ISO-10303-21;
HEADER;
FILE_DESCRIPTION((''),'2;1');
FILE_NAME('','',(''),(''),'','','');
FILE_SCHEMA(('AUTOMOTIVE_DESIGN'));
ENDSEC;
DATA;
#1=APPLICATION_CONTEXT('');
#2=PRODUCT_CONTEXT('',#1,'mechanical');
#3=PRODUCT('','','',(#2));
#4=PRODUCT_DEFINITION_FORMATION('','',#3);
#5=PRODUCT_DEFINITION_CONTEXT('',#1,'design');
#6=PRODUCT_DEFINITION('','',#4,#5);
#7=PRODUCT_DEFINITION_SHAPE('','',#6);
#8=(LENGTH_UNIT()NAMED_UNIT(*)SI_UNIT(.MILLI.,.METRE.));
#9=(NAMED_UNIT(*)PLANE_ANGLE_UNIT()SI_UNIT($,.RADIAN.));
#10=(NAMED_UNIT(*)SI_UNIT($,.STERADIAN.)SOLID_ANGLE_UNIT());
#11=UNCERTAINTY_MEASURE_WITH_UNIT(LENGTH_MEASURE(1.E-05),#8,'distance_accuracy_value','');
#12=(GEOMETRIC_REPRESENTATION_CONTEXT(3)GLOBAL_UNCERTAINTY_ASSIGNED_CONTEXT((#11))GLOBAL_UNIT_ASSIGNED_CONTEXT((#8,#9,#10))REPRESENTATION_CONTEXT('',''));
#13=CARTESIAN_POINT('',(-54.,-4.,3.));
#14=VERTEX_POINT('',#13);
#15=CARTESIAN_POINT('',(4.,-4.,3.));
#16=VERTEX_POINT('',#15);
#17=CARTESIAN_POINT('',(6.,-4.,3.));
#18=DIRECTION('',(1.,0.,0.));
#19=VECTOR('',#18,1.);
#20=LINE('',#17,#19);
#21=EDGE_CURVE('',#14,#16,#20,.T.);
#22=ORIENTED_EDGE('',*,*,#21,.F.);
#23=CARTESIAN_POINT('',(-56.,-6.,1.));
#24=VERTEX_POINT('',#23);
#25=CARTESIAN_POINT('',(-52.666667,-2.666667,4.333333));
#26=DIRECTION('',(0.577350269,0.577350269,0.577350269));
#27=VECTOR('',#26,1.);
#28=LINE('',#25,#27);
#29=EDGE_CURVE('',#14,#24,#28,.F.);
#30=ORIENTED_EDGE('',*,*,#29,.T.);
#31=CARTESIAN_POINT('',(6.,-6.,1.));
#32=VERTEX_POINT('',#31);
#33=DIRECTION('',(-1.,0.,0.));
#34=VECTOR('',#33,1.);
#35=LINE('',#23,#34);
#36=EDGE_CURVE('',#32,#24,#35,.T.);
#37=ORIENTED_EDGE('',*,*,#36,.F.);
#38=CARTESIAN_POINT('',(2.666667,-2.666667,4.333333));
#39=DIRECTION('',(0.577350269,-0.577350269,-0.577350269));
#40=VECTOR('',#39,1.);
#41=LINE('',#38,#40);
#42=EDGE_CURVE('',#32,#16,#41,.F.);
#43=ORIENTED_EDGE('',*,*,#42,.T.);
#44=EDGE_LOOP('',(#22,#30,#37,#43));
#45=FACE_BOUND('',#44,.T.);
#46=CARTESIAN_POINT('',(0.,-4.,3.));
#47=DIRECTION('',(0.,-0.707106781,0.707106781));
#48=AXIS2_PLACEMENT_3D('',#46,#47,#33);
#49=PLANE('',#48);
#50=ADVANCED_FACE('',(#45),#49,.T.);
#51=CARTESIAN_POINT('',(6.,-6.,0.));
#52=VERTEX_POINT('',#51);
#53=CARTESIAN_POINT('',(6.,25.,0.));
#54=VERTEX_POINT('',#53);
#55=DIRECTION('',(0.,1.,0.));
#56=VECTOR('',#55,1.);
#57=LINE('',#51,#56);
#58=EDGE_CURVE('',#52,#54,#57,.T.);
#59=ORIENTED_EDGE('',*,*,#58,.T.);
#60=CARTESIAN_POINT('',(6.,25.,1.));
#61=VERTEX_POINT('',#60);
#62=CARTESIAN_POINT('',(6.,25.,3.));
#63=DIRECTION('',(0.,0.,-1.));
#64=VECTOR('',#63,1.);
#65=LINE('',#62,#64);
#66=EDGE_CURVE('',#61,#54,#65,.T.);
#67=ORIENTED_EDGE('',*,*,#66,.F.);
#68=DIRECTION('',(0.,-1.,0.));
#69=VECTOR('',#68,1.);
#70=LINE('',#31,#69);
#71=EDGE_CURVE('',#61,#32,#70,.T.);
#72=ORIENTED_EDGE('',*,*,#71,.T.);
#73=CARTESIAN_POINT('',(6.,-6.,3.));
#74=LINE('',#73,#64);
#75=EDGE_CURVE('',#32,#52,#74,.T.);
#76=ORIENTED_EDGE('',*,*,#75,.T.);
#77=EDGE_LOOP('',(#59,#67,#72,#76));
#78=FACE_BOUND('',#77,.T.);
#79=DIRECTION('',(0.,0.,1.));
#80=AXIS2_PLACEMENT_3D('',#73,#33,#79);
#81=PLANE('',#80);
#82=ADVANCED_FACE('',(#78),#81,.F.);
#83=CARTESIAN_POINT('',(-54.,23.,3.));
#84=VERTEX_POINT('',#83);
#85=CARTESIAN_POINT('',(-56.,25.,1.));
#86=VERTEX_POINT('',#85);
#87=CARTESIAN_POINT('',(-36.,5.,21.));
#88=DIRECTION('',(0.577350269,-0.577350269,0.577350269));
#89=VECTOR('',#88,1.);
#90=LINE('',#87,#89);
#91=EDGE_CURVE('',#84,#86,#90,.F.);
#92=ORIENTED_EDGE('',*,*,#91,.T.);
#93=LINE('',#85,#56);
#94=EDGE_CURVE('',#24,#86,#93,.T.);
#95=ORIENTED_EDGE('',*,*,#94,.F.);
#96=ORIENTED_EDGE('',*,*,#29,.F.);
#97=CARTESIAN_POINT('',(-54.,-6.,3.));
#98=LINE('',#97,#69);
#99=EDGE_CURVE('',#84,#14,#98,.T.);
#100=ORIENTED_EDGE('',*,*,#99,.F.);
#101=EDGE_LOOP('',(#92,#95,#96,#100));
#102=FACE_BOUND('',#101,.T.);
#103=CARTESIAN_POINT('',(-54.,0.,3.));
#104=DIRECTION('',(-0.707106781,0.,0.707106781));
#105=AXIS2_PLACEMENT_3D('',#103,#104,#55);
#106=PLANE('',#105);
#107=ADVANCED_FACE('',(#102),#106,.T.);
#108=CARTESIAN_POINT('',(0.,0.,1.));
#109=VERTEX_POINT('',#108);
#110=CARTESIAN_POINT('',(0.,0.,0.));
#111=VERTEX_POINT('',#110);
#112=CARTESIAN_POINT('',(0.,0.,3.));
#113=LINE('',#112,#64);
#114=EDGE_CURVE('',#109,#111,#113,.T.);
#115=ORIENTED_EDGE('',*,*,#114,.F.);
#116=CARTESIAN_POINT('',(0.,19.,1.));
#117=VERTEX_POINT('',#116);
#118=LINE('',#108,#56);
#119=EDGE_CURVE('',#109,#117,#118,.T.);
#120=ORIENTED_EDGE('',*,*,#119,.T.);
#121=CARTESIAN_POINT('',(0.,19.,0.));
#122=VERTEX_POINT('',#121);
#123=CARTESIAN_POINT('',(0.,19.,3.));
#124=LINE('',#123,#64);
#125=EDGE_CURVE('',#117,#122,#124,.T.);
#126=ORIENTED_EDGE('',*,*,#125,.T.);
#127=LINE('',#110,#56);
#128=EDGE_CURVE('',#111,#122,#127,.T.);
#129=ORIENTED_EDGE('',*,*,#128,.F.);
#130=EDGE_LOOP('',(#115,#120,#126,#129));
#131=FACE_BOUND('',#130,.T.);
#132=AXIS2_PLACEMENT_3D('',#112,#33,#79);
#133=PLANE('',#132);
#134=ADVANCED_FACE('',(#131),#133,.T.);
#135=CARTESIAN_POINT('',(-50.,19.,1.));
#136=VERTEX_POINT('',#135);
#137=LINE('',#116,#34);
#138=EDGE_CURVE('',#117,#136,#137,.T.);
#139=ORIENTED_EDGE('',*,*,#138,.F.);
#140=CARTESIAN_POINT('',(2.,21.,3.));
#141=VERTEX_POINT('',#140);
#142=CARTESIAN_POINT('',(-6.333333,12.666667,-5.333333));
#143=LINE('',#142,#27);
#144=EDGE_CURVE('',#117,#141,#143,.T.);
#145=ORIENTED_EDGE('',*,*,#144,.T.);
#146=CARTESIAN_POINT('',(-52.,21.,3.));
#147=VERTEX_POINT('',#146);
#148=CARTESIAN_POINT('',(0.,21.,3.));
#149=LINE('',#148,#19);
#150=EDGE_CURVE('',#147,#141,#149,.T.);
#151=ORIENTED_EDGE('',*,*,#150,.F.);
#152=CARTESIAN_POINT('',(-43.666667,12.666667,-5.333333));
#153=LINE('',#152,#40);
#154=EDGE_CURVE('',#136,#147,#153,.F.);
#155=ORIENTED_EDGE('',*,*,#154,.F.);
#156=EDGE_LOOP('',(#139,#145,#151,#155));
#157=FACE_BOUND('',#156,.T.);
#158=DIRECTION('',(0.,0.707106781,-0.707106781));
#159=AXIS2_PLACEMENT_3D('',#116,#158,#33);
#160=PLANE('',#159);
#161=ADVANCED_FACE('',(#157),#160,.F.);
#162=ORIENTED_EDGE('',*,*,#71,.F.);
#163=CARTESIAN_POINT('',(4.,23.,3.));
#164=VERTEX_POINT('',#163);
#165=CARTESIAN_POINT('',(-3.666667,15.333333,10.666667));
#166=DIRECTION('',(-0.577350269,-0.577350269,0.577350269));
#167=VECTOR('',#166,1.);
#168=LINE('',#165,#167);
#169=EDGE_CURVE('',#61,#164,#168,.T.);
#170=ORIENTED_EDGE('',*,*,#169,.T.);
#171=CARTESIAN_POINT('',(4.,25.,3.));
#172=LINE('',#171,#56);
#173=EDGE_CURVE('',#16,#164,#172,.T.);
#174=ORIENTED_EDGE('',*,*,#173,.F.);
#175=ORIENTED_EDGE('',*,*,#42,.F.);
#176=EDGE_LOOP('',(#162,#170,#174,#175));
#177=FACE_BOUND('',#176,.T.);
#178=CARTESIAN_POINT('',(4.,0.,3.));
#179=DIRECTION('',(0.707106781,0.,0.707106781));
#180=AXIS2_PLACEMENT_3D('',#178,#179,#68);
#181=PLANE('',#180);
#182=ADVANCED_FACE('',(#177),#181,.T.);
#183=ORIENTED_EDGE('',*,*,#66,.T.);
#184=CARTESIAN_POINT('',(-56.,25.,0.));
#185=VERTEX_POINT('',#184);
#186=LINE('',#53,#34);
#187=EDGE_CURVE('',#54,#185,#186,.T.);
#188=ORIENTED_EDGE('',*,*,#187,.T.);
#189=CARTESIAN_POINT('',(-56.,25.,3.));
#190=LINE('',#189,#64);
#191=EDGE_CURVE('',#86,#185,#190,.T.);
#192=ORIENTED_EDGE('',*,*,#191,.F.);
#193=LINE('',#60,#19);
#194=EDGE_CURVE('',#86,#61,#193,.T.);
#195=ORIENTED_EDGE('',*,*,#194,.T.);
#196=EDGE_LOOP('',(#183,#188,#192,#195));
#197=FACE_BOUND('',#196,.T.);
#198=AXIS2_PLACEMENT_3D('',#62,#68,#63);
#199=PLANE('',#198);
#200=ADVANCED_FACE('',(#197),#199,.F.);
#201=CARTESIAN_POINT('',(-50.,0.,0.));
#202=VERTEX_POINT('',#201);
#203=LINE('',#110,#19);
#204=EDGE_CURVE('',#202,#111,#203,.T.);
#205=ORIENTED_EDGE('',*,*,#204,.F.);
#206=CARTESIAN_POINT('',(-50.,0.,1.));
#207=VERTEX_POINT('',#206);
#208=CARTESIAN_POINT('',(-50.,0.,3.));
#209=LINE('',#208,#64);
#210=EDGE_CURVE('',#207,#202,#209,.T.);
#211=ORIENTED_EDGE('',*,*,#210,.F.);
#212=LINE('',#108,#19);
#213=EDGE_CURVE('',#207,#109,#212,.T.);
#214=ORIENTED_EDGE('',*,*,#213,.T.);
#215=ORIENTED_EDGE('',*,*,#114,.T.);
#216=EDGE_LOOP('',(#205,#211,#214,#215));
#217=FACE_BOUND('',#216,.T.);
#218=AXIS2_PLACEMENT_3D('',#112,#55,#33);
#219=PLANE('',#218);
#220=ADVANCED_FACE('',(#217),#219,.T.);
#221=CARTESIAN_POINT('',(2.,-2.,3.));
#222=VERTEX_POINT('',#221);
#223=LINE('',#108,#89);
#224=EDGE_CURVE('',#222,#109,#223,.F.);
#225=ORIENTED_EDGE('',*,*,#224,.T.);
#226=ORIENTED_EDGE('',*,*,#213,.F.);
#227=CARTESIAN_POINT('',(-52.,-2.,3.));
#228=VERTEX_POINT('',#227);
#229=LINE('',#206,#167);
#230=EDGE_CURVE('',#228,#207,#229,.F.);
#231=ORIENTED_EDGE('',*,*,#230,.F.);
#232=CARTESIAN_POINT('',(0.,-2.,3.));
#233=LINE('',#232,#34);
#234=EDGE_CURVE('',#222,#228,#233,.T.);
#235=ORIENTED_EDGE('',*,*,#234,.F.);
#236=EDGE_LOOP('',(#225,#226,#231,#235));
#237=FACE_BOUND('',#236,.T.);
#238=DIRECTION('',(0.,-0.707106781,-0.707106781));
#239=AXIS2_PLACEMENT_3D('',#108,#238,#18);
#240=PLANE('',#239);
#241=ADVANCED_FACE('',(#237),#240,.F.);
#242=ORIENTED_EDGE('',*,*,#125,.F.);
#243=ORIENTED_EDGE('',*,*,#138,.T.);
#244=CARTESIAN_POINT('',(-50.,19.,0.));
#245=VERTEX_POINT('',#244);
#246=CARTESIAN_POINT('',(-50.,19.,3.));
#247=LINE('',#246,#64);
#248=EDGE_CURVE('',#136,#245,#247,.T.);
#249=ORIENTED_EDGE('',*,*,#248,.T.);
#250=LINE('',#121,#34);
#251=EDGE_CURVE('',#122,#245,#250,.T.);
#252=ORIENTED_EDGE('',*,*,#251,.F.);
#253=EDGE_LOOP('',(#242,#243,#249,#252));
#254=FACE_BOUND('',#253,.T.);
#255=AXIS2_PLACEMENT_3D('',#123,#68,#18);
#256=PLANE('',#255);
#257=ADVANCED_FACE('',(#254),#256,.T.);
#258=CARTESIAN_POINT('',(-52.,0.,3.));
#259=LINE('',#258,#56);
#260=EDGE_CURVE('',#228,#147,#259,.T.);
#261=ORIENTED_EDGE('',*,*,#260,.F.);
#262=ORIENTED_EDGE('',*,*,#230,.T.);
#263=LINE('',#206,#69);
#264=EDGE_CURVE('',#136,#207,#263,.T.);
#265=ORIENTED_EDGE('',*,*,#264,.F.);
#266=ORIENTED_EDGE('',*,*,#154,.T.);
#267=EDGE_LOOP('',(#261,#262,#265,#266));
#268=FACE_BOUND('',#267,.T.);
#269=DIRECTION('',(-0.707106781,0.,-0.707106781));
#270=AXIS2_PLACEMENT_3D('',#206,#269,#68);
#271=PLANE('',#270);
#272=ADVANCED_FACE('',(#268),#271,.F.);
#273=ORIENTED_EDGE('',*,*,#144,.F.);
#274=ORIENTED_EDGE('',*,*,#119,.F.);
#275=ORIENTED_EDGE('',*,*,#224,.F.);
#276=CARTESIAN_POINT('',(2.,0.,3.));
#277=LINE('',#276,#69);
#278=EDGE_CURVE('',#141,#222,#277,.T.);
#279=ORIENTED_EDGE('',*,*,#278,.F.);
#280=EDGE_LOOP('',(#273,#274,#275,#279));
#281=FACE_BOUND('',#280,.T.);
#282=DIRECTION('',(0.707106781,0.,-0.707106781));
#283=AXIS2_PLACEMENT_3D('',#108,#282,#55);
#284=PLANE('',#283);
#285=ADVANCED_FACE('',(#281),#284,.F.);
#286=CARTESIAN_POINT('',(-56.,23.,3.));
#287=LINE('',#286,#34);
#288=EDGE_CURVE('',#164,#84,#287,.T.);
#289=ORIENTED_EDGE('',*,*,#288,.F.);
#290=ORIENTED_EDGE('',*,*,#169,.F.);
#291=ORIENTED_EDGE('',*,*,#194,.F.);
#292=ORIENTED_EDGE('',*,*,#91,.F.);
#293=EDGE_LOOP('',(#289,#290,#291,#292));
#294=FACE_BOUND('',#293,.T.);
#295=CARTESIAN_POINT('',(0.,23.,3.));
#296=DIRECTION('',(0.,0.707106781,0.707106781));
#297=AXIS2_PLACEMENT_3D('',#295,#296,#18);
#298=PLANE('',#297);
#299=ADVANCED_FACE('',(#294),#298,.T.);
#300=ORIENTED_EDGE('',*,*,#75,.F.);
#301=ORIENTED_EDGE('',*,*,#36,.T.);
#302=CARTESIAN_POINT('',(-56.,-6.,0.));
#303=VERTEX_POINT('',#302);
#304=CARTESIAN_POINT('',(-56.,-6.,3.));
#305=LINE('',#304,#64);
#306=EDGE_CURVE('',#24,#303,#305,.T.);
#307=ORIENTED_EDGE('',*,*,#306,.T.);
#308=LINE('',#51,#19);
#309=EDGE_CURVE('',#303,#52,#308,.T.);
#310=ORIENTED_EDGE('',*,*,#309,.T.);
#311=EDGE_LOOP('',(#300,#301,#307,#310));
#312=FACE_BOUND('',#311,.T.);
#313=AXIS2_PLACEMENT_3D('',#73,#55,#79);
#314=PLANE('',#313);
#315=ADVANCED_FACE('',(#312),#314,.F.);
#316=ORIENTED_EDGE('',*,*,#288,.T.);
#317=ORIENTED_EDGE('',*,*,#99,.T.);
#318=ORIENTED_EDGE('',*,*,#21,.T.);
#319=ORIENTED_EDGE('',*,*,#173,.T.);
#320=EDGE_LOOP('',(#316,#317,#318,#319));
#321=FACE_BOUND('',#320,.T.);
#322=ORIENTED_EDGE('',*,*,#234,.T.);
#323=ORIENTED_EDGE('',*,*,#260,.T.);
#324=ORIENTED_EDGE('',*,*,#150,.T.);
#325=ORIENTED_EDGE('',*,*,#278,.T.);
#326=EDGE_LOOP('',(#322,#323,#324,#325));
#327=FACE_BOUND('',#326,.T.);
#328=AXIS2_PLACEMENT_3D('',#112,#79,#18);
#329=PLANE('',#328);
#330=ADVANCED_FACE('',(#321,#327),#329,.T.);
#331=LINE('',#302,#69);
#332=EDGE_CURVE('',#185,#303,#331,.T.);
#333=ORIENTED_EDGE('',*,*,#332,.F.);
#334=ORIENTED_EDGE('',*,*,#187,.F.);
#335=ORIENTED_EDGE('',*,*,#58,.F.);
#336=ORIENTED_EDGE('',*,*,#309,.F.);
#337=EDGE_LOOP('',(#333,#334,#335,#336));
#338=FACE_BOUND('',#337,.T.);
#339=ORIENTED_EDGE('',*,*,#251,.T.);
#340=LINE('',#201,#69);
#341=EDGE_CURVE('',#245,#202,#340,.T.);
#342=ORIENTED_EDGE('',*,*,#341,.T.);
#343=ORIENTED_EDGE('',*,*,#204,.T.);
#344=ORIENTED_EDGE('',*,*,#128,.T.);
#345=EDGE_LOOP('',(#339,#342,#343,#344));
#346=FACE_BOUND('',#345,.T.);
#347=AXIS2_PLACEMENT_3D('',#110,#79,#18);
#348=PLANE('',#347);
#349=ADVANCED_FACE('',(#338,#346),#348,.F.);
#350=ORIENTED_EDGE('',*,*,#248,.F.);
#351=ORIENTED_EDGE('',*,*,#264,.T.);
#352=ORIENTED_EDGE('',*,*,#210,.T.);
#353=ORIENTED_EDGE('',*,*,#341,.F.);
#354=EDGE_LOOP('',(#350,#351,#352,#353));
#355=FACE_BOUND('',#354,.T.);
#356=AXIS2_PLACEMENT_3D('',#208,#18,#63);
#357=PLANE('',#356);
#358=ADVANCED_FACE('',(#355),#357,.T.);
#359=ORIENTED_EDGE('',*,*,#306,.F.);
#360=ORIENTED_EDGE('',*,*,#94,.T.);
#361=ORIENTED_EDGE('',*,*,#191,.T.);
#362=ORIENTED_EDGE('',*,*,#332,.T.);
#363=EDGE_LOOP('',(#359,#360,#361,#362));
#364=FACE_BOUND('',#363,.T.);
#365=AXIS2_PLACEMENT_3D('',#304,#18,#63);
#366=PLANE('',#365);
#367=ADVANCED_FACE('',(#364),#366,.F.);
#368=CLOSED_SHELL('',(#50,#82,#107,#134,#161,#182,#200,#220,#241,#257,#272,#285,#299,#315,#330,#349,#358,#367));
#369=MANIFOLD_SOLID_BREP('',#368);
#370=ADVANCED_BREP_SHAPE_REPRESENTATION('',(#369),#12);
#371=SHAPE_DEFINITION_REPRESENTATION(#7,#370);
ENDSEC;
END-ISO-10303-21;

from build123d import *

# Parameters (mm, degrees)
ESQUISSE1_W        = 62
ESQUISSE1_H        = 31
ESQUISSE1_W_2      = 50
ESQUISSE1_H_2      = 19
BOSS_EXTRU_1_DEPTH = 3
CHANFREIN1_SIZE    = 2


with BuildPart() as part:
    # Esquisse1 → Boss.-Extru.1 (new body)
    with BuildSketch(Plane.XY):
        with Locations((-25, 9.5)):
            Rectangle(ESQUISSE1_W, ESQUISSE1_H)
        with Locations((-25, 9.5)):
            Rectangle(ESQUISSE1_W_2, ESQUISSE1_H_2, mode=Mode.SUBTRACT)
    extrude(amount=BOSS_EXTRU_1_DEPTH)

    # Chanfrein1
    chanfrein1_edges = [part.edges().sort_by_distance(p)[0] for p in [
        (-56, 9.5, 3),
        (-25, -6, 3),
        (0, 9.5, 3),
        (-25, 19, 3),
        (-50, 9.5, 3),
        (-25, 0, 3),
        (6, 9.5, 3),
        (-25, 25, 3),
    ]]
    chamfer(chanfrein1_edges, length=CHANFREIN1_SIZE)


solid = part.part
